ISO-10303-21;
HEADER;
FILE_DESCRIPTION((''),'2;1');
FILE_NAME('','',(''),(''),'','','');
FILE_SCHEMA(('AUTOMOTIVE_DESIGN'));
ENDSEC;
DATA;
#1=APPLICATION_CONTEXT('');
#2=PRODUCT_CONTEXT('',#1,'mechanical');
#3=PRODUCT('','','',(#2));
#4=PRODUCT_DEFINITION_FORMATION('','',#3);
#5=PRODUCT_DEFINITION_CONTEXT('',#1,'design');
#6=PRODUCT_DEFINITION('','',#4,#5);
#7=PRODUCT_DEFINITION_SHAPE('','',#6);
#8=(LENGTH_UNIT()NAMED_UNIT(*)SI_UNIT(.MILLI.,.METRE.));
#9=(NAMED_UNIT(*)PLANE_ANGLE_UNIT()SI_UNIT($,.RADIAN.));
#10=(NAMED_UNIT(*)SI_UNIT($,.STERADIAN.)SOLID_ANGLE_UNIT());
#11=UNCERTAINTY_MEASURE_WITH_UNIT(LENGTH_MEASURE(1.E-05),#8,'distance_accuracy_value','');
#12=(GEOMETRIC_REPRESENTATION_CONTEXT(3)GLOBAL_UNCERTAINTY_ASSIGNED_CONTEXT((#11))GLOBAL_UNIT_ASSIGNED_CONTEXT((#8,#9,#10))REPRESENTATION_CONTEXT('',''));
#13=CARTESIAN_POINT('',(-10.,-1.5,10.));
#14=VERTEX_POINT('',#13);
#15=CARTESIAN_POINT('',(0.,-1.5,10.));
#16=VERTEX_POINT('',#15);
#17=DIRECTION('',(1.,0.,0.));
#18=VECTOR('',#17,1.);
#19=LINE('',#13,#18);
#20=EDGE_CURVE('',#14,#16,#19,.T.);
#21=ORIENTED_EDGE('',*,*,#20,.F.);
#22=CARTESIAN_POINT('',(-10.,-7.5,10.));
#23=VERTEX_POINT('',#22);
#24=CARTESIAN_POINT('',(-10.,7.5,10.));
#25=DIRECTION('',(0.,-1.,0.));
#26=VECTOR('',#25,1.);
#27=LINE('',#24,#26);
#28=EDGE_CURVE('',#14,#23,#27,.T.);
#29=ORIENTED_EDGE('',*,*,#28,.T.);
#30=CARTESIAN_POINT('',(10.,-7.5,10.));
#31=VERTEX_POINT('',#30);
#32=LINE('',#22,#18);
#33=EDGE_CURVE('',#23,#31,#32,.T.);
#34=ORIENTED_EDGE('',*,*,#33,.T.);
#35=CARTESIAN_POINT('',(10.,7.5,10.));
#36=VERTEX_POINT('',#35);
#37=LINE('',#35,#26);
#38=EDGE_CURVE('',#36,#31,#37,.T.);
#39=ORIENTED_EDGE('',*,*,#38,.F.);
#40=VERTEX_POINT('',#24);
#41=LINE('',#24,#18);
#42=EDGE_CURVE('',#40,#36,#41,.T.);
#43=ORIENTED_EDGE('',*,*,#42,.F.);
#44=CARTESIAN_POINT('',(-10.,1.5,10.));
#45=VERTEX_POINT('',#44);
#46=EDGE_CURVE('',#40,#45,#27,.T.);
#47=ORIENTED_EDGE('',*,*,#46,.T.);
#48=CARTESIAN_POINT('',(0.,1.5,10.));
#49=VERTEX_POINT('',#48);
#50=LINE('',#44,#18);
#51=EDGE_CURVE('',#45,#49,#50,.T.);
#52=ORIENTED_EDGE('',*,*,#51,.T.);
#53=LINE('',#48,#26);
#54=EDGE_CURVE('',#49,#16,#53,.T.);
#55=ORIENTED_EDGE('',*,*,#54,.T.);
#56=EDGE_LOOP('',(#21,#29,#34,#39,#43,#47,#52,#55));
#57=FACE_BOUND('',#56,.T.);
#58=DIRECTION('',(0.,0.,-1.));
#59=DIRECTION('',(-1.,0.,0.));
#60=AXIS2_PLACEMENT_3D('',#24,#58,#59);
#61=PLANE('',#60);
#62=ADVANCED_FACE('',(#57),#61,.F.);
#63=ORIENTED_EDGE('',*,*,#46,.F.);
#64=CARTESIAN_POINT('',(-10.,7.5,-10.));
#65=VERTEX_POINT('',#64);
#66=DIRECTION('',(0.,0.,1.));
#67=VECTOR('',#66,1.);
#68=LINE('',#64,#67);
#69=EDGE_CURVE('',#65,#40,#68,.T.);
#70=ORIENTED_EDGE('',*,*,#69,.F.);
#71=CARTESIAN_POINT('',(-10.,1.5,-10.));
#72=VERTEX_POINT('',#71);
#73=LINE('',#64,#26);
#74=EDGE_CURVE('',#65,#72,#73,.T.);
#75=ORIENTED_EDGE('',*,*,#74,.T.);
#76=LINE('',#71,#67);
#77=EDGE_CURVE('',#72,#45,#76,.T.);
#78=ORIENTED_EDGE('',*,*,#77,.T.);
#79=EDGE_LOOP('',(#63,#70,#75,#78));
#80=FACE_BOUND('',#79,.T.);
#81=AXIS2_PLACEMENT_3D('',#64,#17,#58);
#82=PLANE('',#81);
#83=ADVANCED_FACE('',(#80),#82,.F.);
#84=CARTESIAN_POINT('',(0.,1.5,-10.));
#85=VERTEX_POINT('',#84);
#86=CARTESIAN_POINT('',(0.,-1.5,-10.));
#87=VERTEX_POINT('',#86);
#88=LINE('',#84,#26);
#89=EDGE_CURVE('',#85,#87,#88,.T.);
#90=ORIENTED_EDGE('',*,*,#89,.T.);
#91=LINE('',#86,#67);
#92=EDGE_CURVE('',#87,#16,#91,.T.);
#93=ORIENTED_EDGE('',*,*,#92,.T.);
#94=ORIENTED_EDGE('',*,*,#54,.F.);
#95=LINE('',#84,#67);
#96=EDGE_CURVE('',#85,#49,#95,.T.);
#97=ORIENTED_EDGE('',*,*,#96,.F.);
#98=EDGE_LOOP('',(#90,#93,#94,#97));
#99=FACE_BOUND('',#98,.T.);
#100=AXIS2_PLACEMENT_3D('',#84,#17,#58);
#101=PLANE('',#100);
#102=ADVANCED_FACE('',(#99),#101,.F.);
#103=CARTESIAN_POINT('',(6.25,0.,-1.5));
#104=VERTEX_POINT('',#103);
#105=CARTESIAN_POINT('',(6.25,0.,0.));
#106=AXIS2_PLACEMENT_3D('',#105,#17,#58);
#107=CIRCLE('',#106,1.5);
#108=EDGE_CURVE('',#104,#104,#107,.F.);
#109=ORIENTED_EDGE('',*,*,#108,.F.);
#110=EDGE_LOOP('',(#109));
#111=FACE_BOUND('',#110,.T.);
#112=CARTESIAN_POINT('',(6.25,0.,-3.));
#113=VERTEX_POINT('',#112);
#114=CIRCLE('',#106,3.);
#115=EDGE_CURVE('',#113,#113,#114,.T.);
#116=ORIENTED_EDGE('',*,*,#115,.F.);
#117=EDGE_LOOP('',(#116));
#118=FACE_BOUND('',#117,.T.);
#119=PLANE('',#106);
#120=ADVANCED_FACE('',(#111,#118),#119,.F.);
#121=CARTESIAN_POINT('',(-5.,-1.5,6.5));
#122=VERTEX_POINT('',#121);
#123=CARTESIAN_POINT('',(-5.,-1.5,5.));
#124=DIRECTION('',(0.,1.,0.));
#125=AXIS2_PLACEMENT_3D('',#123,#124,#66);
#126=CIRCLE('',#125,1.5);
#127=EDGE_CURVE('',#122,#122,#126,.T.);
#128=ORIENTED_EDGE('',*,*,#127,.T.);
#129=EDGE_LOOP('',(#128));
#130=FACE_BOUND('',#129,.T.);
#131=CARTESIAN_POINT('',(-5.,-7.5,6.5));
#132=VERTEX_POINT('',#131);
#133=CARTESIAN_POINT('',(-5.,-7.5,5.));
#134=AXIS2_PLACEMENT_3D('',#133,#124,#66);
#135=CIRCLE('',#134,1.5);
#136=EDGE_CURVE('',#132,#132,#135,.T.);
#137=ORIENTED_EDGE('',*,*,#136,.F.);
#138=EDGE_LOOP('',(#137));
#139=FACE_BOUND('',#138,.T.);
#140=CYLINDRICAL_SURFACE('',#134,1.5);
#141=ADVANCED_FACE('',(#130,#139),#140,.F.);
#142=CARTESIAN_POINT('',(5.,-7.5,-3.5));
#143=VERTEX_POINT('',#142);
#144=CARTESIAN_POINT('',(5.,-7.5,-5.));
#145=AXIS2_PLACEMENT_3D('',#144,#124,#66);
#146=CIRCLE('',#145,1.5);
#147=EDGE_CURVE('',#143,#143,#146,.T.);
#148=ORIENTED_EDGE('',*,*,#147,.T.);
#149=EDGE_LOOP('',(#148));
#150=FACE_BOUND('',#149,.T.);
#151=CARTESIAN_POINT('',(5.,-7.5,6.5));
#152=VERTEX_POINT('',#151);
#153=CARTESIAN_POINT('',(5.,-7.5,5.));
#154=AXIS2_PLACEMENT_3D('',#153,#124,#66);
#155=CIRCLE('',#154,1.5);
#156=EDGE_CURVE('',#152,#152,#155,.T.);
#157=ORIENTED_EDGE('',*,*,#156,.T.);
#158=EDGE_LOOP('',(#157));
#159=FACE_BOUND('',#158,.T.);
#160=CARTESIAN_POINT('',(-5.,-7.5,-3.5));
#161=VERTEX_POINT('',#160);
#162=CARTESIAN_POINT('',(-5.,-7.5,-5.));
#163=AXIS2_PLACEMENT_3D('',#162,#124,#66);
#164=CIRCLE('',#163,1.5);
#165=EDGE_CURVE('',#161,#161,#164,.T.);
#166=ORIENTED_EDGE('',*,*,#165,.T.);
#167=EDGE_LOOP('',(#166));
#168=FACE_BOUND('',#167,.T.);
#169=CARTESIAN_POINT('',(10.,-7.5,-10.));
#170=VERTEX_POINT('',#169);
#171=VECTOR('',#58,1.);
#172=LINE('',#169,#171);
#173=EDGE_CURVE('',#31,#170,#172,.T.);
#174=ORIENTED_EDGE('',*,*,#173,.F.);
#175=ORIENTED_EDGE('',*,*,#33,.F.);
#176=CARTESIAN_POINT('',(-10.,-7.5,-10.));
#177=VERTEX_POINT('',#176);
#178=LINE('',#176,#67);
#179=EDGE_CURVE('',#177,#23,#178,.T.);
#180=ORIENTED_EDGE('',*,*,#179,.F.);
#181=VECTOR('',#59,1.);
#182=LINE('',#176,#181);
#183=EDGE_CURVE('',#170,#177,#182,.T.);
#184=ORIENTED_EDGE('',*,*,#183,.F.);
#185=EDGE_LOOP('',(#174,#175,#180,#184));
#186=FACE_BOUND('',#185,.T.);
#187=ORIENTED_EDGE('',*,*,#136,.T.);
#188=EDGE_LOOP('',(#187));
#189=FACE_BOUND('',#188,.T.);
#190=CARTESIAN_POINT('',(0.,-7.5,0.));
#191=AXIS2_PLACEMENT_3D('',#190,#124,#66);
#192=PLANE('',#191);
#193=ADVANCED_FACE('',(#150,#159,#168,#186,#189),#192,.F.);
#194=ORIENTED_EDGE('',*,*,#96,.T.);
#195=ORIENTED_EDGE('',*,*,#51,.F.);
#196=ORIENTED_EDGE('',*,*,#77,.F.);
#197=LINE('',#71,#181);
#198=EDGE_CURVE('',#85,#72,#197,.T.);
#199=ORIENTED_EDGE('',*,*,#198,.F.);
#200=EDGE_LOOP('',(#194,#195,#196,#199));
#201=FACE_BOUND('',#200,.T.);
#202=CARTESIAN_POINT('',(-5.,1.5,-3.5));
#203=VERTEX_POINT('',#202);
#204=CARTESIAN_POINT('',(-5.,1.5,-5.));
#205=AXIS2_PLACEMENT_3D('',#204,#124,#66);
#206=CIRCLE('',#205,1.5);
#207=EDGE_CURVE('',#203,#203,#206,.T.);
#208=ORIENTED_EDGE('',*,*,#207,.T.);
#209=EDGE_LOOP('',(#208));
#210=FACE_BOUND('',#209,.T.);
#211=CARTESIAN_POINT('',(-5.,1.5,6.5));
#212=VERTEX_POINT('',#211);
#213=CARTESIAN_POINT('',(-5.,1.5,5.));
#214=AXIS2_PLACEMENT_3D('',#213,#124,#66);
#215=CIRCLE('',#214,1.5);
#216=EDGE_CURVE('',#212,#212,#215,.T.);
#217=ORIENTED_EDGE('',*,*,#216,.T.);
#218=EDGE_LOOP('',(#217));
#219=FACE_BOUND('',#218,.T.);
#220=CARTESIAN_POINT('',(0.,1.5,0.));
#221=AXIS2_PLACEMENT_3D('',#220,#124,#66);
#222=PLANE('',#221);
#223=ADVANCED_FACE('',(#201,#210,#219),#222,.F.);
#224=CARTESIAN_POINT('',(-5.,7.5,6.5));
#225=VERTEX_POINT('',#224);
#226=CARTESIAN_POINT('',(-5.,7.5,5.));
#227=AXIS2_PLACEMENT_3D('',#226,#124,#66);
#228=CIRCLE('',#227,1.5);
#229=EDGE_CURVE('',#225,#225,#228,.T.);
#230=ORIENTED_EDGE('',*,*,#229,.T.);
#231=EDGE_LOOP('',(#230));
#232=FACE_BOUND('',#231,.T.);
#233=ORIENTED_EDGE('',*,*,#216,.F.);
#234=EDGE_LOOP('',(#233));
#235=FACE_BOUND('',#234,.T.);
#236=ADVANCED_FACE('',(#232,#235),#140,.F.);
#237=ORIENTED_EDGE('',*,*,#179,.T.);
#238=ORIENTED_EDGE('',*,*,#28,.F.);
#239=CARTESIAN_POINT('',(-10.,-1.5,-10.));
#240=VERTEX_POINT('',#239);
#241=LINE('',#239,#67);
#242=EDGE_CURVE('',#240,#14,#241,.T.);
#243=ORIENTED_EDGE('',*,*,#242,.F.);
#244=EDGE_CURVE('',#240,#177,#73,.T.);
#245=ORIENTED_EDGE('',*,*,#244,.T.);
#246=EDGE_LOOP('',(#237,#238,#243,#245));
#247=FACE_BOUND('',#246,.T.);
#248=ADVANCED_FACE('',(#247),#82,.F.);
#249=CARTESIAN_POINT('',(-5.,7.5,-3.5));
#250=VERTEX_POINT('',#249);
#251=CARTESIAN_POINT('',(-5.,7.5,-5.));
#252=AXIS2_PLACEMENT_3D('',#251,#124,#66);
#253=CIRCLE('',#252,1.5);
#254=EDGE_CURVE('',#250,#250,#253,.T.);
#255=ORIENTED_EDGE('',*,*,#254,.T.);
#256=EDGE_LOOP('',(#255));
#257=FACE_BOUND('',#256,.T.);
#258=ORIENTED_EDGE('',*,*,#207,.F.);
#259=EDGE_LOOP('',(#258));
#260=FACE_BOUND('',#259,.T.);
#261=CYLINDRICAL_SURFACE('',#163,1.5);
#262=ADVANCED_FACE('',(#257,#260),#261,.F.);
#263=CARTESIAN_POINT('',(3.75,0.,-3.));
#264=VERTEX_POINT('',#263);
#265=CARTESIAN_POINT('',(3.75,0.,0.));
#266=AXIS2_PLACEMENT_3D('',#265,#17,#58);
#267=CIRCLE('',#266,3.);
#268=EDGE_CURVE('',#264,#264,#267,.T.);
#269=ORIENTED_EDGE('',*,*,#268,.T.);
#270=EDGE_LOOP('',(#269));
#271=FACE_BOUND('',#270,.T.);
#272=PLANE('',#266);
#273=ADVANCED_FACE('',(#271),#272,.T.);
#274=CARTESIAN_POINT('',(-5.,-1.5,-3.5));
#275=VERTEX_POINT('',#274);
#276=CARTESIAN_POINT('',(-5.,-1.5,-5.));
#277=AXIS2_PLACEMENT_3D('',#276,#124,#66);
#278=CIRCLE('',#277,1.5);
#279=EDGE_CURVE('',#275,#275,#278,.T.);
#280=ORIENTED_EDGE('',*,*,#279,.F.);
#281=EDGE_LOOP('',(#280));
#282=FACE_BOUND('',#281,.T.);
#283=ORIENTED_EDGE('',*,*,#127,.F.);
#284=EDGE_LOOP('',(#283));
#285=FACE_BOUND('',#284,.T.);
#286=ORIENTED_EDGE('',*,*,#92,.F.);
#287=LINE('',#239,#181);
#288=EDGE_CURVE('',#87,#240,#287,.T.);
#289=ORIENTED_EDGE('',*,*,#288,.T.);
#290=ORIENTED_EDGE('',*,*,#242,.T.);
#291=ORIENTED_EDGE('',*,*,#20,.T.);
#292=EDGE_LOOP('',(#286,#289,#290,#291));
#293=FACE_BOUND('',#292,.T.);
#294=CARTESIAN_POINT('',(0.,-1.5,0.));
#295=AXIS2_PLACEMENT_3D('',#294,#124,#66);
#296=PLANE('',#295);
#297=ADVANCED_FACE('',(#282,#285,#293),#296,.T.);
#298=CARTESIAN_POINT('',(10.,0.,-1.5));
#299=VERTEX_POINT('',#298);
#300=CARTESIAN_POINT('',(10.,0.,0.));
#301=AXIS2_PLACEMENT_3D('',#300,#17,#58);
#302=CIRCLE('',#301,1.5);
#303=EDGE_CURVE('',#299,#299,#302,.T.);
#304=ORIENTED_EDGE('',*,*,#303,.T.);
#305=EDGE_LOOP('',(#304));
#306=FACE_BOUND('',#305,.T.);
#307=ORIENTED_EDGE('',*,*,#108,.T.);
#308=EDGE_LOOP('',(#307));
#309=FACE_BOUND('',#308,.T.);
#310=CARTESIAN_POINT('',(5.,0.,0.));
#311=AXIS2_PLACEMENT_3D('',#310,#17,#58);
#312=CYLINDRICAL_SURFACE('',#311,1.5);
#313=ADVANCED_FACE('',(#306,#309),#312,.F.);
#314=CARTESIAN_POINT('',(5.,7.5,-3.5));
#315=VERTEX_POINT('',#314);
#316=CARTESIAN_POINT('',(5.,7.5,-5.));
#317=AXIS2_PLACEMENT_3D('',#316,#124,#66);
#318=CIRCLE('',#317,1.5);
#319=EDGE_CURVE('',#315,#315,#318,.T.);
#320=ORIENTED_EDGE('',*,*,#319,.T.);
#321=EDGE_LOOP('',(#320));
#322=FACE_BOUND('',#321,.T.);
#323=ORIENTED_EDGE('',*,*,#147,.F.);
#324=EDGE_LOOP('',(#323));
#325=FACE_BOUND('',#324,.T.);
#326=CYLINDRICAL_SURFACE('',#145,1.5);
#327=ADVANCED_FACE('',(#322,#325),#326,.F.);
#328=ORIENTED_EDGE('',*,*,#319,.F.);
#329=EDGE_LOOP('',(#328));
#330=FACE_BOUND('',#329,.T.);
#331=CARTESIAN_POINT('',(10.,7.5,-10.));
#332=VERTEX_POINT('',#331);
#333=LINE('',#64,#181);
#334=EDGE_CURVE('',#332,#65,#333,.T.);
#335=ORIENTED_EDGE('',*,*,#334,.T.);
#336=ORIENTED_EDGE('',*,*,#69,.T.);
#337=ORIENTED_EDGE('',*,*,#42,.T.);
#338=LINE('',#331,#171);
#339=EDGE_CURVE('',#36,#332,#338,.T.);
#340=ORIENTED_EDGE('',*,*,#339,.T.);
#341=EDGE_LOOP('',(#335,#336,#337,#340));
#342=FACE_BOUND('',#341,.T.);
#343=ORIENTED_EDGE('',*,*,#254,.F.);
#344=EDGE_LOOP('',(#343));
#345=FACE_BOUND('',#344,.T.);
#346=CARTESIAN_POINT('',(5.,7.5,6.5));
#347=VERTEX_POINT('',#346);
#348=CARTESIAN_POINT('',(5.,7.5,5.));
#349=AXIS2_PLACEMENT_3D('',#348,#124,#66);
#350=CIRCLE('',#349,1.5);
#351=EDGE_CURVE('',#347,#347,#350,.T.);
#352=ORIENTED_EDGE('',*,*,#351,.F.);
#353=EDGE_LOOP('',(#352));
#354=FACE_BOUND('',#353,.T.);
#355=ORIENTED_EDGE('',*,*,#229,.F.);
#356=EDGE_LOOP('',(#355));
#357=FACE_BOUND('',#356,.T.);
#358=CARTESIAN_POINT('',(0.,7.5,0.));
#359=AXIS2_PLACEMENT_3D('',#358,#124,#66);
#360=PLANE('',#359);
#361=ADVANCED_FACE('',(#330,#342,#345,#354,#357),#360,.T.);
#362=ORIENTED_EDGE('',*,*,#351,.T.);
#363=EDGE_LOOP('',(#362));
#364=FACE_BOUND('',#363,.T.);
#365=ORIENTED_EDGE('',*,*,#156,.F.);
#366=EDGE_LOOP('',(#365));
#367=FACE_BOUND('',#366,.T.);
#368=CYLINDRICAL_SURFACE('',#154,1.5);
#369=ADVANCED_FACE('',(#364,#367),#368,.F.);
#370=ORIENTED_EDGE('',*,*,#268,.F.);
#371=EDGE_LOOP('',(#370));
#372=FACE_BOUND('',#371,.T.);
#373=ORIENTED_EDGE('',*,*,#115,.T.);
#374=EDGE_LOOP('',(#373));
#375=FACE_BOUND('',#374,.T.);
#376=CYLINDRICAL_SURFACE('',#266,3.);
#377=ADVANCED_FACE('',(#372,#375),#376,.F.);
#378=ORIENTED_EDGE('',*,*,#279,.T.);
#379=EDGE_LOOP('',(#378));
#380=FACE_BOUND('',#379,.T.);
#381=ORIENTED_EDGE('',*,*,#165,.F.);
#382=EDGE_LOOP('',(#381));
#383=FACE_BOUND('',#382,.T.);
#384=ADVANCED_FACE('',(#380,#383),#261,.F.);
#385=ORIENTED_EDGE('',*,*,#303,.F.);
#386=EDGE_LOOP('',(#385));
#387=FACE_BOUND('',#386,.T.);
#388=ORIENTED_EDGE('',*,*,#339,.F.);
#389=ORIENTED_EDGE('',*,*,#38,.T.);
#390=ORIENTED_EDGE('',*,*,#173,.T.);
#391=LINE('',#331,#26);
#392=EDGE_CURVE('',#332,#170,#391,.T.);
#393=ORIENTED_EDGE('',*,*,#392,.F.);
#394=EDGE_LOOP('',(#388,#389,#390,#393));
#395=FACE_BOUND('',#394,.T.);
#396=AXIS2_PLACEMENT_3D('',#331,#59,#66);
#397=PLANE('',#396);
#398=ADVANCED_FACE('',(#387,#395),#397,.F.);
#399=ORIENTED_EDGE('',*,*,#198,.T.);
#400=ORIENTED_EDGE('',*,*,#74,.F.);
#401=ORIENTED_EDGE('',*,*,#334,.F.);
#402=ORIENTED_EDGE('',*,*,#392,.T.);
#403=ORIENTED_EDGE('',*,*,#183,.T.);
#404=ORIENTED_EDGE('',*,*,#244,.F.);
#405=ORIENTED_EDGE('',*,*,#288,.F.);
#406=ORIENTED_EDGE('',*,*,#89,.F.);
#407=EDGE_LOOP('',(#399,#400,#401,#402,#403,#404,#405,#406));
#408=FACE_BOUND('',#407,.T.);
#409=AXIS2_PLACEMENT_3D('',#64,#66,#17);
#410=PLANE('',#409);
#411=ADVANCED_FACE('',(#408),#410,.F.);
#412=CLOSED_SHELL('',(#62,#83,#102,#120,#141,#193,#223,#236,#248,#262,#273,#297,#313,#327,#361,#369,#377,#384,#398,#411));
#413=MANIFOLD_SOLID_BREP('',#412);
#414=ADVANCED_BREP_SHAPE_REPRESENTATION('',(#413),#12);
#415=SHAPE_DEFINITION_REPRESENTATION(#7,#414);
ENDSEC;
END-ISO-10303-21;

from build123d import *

# Parameters (mm, degrees)
SKETCH1_W            = 20
SKETCH1_H            = 20
BOSS_EXTRUDE1_DEPTH  = 7.5
SKETCH1_3_W          = 20
SKETCH1_3_H          = 20
CUT_EXTRUDE2_DEPTH   = 1.5
SKETCH3_W            = 10
SKETCH3_H            = 20
BOSS_EXTRUDE2_DEPTH  = 1.5
SKETCH4_R            = 1.5
CUT_EXTRUDE3_DEPTH   = 5
MOUNTHOLE_DEPTH      = 17.007810594
MOUNTHOLE_DEPTH_BACK = 17.007810594
SKETCH5_R            = 1.5
SKETCH6_R            = 3
CUT_EXTRUDE5_DEPTH   = 1.25


with BuildPart() as part:
    # Sketch1 → Boss-Extrude1 (new, symmetric)
    with BuildSketch(Plane(origin=(0, 0, 0), x_dir=(1, 0, 0), z_dir=(0, 1, 0))):
        Rectangle(SKETCH1_W, SKETCH1_H)
    extrude(amount=BOSS_EXTRUDE1_DEPTH, both=True)

    # Sketch1<3> → Cut-Extrude2 (cut, symmetric)
    with BuildSketch(Plane(origin=(0, 0, 0), x_dir=(1, 0, 0), z_dir=(0, 1, 0))):
        Rectangle(SKETCH1_3_W, SKETCH1_3_H)
    extrude(amount=CUT_EXTRUDE2_DEPTH, both=True, mode=Mode.SUBTRACT)


with BuildPart() as cut_extrude2_piece_1:
    # of the separate pieces the step leaves, piece 1, a body of its own (cut_extrude2_pieces)
    add(part.part.solids().sort_by_distance((-10, -7.5, -10))[0])



with BuildPart() as cut_extrude2_piece_2:
    # of the separate pieces the step leaves, piece 2, a body of its own (cut_extrude2_pieces)
    add(part.part.solids().sort_by_distance((-10, 1.5, -10))[0])


with BuildPart() as cut_extrude2_piece_1_1:
    add(cut_extrude2_piece_1.part)

    add(cut_extrude2_piece_2.part)  # Boss-Extrude2 merges Cut-Extrude2 piece 2
    # Sketch3 → Boss-Extrude2 (add, symmetric)
    with BuildSketch(Plane(origin=(0, 0, 0), x_dir=(1, 0, 0), z_dir=(0, 1, 0))):
        with Locations((5, 0)):
            Rectangle(SKETCH3_W, SKETCH3_H)
    extrude(amount=BOSS_EXTRUDE2_DEPTH, both=True)

    # Sketch4 → Cut-Extrude3 (cut)
    with BuildSketch(Plane(origin=(10, 0, 0), x_dir=(0, 0, -1), z_dir=(1, 0, 0))):
        Circle(SKETCH4_R)
    extrude(amount=-CUT_EXTRUDE3_DEPTH, mode=Mode.SUBTRACT)

    # Sketch5 → mounthole (cut, two sides: drawn at the far end of the back side and taken through both)
    with BuildSketch(Plane(origin=(0, 0, 0), x_dir=(1, 0, 0), z_dir=(0, 1, 0)).offset(-MOUNTHOLE_DEPTH_BACK)):
        with Locations((-5, 5)):
            Circle(SKETCH5_R)
        with Locations((5, 5)):
            Circle(SKETCH5_R)
        with Locations((5, -5)):
            Circle(SKETCH5_R)
        with Locations((-5, -5)):
            Circle(SKETCH5_R)
    extrude(amount=MOUNTHOLE_DEPTH + MOUNTHOLE_DEPTH_BACK, mode=Mode.SUBTRACT)

    # Sketch6 → Cut-Extrude5 (cut, symmetric)
    with BuildSketch(Plane(origin=(5, 0, 0), x_dir=(0, 0, -1), z_dir=(1, 0, 0))):
        Circle(SKETCH6_R)
    extrude(amount=CUT_EXTRUDE5_DEPTH, both=True, mode=Mode.SUBTRACT)


solid = cut_extrude2_piece_1_1.part
